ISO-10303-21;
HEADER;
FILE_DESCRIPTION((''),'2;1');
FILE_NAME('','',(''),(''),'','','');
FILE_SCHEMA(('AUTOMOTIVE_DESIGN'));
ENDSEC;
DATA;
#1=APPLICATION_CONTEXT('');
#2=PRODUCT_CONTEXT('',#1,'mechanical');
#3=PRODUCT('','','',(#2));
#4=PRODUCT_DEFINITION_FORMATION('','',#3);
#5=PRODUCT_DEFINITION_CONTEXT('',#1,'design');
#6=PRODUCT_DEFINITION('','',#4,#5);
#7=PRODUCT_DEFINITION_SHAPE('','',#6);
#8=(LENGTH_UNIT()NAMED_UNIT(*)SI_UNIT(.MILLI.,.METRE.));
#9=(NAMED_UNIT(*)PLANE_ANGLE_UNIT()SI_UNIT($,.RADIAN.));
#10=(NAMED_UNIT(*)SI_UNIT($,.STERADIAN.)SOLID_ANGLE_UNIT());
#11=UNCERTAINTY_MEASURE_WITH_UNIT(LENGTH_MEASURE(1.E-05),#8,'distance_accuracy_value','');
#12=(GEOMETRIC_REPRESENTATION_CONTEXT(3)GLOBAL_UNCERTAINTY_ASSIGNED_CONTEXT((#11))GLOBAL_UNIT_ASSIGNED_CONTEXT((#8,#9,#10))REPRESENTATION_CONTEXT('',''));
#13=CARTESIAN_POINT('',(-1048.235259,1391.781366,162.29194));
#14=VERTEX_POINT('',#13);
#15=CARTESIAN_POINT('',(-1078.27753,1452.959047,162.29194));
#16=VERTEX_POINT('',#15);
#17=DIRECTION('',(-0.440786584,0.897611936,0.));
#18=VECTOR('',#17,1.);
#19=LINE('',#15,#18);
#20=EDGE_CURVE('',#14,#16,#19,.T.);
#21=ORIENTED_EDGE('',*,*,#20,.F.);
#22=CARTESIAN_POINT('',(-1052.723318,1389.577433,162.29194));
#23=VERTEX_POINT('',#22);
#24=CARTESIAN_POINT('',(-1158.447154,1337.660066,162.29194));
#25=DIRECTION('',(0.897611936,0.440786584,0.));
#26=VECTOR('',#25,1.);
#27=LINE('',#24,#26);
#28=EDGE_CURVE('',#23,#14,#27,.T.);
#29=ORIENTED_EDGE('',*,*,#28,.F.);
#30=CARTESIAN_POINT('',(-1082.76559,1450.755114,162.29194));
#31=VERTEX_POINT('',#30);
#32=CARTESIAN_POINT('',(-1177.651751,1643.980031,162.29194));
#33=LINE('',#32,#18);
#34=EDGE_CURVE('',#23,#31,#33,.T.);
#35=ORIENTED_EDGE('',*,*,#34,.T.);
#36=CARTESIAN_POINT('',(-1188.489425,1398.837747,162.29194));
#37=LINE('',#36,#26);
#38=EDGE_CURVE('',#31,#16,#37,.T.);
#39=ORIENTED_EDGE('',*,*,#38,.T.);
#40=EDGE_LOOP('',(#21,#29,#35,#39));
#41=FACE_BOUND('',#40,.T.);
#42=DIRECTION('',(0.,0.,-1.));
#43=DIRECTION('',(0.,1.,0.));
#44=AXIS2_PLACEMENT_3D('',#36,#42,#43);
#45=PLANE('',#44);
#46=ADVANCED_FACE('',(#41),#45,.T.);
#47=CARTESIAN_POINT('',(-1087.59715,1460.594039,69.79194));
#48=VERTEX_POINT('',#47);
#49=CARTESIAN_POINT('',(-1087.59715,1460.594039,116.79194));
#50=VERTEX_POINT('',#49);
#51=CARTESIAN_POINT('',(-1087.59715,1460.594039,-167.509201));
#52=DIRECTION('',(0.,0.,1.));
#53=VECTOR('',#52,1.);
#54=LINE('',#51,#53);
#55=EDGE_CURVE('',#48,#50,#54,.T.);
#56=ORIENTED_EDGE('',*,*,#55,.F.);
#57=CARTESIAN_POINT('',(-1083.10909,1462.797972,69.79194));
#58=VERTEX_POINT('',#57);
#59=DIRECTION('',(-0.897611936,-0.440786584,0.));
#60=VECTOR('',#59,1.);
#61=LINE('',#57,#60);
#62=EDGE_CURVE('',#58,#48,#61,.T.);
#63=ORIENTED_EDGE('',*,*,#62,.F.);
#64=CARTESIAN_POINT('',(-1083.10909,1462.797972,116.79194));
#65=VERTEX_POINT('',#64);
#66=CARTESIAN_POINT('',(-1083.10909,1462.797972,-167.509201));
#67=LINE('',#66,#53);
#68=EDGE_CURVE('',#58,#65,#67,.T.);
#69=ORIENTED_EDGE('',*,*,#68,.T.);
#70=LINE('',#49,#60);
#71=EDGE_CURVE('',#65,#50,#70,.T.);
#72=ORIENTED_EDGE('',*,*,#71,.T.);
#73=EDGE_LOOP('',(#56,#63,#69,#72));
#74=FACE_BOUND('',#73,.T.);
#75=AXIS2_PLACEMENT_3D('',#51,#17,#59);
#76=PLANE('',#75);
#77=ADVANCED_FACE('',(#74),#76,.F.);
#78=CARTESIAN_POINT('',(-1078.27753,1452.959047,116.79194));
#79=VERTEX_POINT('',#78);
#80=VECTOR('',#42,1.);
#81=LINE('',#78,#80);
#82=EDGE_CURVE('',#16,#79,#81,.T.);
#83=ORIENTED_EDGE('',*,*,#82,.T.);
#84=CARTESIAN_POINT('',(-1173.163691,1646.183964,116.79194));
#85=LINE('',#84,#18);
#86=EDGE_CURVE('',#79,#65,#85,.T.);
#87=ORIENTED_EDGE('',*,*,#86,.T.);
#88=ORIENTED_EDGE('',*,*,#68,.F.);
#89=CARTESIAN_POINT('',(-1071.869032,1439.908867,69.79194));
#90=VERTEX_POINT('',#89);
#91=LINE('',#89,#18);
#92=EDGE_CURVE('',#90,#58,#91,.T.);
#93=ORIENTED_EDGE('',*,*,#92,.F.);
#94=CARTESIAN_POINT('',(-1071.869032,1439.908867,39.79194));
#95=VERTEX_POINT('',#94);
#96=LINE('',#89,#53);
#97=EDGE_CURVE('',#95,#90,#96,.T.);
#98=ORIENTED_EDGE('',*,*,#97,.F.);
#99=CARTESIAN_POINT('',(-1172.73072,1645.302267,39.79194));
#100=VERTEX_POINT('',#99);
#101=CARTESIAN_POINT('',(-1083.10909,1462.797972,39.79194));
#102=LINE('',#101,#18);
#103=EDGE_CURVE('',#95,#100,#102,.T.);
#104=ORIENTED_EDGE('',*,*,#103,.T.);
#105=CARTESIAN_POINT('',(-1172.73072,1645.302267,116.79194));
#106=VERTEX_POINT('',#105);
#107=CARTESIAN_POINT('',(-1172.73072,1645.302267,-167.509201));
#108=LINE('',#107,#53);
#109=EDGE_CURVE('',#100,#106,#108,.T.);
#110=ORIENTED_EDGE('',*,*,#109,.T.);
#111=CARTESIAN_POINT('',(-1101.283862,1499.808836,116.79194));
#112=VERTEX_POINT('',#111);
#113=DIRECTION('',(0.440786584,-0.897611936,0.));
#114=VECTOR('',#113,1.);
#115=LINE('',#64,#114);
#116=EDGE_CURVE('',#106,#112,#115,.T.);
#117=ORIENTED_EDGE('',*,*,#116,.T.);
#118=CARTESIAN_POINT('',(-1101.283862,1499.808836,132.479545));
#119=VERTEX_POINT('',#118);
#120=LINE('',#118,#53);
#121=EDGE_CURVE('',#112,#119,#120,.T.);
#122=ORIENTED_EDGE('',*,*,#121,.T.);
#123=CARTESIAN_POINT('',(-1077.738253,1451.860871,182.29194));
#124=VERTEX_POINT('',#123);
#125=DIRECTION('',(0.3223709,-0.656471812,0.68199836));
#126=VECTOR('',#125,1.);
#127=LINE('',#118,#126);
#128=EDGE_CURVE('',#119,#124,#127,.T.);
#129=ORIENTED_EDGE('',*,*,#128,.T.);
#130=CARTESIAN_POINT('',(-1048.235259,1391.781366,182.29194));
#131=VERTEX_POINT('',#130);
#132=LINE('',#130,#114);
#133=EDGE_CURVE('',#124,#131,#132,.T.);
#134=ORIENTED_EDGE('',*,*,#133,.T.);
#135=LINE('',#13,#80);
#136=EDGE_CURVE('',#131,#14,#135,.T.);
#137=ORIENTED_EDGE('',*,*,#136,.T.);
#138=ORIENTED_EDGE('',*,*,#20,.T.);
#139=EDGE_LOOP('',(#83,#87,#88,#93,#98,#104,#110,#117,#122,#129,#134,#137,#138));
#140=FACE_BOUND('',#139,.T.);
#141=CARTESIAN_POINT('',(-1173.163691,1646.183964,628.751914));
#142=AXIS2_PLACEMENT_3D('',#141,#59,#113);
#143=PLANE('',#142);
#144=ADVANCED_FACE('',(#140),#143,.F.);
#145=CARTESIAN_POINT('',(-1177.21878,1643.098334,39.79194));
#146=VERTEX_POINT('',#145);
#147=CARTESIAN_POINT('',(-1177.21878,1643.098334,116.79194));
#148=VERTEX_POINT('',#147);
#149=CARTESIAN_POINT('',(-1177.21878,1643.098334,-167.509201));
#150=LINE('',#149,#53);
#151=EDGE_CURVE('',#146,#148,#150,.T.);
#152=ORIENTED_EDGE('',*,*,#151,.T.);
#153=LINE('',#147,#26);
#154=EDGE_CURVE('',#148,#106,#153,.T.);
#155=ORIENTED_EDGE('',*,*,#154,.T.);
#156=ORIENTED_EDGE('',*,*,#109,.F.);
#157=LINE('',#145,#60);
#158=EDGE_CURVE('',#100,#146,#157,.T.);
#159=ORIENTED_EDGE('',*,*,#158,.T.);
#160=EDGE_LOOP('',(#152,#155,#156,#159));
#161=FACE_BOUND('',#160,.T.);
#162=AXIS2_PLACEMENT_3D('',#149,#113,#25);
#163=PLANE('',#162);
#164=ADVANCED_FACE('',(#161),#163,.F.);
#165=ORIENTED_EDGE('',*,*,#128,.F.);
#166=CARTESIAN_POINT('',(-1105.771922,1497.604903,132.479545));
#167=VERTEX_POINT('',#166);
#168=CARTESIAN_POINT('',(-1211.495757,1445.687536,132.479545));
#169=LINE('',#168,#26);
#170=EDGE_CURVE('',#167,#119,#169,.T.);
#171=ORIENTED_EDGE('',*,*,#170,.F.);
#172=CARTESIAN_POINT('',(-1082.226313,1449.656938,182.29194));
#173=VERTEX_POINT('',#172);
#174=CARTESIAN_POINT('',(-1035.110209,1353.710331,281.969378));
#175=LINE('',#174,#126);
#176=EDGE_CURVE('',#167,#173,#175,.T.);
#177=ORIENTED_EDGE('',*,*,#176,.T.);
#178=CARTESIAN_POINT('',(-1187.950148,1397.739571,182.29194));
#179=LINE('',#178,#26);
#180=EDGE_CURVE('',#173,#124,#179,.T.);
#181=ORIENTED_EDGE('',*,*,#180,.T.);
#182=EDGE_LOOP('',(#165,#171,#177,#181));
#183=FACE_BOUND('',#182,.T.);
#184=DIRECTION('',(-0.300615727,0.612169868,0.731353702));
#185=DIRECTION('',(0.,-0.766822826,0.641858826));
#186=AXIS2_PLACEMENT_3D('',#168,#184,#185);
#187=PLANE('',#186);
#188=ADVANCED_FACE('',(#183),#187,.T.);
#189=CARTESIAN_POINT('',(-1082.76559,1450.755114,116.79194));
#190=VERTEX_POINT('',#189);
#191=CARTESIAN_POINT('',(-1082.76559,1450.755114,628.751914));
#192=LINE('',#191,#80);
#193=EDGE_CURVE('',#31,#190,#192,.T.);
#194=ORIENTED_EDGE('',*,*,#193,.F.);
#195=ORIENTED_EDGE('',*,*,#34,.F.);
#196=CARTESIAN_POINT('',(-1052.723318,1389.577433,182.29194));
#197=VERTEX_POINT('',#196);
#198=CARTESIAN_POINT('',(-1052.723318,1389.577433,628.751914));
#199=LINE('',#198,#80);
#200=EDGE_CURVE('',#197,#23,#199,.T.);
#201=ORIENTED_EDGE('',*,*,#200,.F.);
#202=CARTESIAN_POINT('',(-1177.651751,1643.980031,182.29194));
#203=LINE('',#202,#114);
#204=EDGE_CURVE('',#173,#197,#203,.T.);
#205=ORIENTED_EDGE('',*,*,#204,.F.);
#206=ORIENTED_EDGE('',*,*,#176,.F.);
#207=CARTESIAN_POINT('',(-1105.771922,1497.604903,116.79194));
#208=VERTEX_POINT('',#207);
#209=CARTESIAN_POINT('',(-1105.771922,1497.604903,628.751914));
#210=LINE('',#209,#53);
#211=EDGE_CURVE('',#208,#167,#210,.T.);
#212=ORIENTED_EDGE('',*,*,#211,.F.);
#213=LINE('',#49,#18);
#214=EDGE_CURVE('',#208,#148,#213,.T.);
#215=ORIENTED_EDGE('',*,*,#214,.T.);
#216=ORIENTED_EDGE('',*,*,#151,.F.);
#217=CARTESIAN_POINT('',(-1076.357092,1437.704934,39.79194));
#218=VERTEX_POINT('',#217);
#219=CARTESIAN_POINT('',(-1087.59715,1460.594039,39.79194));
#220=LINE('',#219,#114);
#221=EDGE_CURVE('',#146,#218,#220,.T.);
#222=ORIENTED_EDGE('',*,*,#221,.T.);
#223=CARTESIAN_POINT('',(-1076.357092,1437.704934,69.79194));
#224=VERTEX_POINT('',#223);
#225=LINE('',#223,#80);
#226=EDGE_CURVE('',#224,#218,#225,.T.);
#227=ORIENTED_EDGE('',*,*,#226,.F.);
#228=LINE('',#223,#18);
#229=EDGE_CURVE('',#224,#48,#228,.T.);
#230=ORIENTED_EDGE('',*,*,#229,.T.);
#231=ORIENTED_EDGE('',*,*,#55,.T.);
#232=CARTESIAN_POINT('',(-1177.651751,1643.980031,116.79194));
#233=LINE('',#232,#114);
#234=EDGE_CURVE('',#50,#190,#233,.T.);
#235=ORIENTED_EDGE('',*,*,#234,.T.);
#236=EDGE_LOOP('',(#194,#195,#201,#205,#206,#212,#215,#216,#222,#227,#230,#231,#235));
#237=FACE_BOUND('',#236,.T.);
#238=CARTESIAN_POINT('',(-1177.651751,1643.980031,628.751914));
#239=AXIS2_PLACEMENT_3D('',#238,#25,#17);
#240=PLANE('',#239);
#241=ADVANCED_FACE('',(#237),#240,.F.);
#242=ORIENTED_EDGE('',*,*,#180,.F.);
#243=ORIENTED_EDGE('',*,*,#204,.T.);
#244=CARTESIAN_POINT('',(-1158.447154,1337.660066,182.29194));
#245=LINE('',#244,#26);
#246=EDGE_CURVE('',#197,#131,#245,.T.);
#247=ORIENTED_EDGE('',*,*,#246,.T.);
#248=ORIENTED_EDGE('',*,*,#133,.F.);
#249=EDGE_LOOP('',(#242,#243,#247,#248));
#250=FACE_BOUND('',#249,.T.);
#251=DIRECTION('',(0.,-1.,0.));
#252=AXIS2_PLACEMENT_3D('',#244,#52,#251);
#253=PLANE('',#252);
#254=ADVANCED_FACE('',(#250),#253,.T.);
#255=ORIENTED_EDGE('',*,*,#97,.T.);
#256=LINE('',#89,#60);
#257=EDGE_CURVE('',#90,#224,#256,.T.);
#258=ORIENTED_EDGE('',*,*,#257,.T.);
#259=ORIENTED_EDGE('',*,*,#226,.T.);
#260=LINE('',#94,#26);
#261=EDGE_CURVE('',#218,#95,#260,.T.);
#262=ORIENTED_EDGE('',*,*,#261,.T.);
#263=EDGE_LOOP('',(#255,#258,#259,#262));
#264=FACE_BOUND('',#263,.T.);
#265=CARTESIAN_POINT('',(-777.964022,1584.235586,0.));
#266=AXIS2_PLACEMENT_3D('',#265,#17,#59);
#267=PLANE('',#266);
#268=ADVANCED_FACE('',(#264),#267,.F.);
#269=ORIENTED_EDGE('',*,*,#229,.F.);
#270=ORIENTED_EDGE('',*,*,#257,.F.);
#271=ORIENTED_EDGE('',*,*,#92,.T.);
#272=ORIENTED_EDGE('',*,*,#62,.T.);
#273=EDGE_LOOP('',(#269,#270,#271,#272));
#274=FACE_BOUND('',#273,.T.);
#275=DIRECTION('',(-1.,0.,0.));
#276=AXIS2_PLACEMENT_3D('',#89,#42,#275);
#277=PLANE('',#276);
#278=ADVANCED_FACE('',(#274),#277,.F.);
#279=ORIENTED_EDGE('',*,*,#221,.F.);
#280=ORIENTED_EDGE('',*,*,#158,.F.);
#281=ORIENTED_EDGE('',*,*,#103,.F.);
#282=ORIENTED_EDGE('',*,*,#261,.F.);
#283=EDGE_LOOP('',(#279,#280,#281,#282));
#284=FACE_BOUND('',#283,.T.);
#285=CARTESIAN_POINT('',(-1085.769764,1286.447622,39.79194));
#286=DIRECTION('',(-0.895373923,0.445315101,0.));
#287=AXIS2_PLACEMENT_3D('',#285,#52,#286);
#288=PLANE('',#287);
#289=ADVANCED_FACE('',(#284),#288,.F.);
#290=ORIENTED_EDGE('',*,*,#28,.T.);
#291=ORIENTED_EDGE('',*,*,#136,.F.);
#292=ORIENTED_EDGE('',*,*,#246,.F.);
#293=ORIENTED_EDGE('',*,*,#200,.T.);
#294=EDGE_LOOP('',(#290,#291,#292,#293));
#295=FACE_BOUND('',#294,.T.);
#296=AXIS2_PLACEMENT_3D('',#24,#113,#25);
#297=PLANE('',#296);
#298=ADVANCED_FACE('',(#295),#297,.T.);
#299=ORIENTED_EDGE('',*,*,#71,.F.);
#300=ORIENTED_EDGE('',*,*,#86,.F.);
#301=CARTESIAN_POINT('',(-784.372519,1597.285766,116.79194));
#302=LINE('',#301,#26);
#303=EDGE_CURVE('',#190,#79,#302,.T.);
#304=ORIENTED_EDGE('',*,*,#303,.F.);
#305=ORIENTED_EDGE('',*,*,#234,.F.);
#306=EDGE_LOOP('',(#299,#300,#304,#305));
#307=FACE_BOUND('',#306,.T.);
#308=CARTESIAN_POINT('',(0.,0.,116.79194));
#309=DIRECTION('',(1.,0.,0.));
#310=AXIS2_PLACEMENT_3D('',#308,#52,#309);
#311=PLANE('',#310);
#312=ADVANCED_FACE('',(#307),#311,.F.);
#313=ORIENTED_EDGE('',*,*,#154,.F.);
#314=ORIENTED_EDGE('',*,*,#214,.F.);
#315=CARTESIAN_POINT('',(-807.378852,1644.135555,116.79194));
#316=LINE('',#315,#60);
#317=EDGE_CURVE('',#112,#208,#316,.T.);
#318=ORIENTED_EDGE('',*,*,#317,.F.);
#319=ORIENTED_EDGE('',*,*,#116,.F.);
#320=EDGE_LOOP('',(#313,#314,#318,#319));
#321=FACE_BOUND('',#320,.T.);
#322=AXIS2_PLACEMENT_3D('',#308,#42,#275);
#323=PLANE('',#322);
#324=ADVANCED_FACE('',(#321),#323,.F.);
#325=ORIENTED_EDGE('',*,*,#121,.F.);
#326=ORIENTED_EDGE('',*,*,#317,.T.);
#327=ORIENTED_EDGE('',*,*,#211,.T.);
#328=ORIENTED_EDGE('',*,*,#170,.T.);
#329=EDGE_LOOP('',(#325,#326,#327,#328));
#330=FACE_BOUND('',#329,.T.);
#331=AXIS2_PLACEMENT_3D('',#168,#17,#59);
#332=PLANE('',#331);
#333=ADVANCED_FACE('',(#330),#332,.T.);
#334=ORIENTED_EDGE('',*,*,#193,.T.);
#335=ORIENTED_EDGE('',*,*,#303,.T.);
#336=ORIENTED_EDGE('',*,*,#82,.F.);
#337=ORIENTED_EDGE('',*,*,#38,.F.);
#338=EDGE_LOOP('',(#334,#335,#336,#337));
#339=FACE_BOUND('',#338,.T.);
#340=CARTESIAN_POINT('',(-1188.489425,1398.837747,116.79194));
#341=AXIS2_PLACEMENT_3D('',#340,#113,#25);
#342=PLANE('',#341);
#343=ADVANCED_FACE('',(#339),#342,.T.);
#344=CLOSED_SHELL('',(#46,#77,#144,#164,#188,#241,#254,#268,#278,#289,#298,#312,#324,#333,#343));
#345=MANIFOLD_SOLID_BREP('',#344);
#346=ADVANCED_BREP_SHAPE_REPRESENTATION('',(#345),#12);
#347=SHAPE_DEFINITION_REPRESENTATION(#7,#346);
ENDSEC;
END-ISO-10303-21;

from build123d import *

# Parameters (mm, degrees)
BOSS_EXTRUDE1_DEPTH = 210.295833075
CUT_EXTRUDE3_DEPTH  = 2024.344561921
BOSS_EXTRUDE2_DEPTH = 77
SKETCH7_W           = 5
SKETCH7_H           = 30
BOSS_EXTRUDE4_DEPTH = 25.5


with BuildPart() as part:
    # Sketch2 → Boss-Extrude1 (new body)
    with BuildSketch(Plane.XY.offset(116.791940296)):
        Polygon((-1177.651750867, 1643.980030656), (-1173.163691186, 1646.183963573), (-1041.945008983, 1378.971984434), (-1046.433068663, 1376.768051516), align=None)
    extrude(amount=BOSS_EXTRUDE1_DEPTH)

    # Sketch5 → Cut-Extrude3 (cut, through all)
    with BuildSketch(Plane(origin=(-293.905010595, -144.326718837, 0), x_dir=(0, 0, 1), z_dir=(-0.8976119360459706, -0.4407865835841701, 0))):
        Polygon((132.47954497, 1831.677464024), (116.791940296, 1831.677464024), (116.791940296, 1994.749190054), (327.087773371, 1994.749190054), (327.087773371, 1623.434080327), (116.791940296, 1623.434080327), (116.791940296, 1779.483651489), (162.291940296, 1779.483651489), (162.291940296, 1711.327604599), (182.291940296, 1711.327604599), (182.291940296, 1778.260209904), align=None)
    extrude(amount=CUT_EXTRUDE3_DEPTH, mode=Mode.SUBTRACT)

    # Sketch6 → Boss-Extrude2 (add)
    with BuildSketch(Plane(origin=(0, 0, 116.791940296), x_dir=(-1, 0, 0), z_dir=(0, 0, -1))):
        Polygon((1087.597149779, 1460.594038789), (1083.109090099, 1462.797971707), (1172.730720222, 1645.302267261), (1177.218779902, 1643.098334343), align=None)
    extrude(amount=BOSS_EXTRUDE2_DEPTH)

    # Sketch7 → Boss-Extrude4 (add)
    with BuildSketch(Plane(origin=(-789.204079504, 1607.124690544, 0), x_dir=(0.8976119360459841, 0.44078658358414263, 0), z_dir=(0.44078658358414263, -0.8976119360459841, 0))):
        with Locations((-329.92992689, 54.791940296)):
            Rectangle(SKETCH7_W, SKETCH7_H)
    extrude(amount=BOSS_EXTRUDE4_DEPTH)


solid = part.part
